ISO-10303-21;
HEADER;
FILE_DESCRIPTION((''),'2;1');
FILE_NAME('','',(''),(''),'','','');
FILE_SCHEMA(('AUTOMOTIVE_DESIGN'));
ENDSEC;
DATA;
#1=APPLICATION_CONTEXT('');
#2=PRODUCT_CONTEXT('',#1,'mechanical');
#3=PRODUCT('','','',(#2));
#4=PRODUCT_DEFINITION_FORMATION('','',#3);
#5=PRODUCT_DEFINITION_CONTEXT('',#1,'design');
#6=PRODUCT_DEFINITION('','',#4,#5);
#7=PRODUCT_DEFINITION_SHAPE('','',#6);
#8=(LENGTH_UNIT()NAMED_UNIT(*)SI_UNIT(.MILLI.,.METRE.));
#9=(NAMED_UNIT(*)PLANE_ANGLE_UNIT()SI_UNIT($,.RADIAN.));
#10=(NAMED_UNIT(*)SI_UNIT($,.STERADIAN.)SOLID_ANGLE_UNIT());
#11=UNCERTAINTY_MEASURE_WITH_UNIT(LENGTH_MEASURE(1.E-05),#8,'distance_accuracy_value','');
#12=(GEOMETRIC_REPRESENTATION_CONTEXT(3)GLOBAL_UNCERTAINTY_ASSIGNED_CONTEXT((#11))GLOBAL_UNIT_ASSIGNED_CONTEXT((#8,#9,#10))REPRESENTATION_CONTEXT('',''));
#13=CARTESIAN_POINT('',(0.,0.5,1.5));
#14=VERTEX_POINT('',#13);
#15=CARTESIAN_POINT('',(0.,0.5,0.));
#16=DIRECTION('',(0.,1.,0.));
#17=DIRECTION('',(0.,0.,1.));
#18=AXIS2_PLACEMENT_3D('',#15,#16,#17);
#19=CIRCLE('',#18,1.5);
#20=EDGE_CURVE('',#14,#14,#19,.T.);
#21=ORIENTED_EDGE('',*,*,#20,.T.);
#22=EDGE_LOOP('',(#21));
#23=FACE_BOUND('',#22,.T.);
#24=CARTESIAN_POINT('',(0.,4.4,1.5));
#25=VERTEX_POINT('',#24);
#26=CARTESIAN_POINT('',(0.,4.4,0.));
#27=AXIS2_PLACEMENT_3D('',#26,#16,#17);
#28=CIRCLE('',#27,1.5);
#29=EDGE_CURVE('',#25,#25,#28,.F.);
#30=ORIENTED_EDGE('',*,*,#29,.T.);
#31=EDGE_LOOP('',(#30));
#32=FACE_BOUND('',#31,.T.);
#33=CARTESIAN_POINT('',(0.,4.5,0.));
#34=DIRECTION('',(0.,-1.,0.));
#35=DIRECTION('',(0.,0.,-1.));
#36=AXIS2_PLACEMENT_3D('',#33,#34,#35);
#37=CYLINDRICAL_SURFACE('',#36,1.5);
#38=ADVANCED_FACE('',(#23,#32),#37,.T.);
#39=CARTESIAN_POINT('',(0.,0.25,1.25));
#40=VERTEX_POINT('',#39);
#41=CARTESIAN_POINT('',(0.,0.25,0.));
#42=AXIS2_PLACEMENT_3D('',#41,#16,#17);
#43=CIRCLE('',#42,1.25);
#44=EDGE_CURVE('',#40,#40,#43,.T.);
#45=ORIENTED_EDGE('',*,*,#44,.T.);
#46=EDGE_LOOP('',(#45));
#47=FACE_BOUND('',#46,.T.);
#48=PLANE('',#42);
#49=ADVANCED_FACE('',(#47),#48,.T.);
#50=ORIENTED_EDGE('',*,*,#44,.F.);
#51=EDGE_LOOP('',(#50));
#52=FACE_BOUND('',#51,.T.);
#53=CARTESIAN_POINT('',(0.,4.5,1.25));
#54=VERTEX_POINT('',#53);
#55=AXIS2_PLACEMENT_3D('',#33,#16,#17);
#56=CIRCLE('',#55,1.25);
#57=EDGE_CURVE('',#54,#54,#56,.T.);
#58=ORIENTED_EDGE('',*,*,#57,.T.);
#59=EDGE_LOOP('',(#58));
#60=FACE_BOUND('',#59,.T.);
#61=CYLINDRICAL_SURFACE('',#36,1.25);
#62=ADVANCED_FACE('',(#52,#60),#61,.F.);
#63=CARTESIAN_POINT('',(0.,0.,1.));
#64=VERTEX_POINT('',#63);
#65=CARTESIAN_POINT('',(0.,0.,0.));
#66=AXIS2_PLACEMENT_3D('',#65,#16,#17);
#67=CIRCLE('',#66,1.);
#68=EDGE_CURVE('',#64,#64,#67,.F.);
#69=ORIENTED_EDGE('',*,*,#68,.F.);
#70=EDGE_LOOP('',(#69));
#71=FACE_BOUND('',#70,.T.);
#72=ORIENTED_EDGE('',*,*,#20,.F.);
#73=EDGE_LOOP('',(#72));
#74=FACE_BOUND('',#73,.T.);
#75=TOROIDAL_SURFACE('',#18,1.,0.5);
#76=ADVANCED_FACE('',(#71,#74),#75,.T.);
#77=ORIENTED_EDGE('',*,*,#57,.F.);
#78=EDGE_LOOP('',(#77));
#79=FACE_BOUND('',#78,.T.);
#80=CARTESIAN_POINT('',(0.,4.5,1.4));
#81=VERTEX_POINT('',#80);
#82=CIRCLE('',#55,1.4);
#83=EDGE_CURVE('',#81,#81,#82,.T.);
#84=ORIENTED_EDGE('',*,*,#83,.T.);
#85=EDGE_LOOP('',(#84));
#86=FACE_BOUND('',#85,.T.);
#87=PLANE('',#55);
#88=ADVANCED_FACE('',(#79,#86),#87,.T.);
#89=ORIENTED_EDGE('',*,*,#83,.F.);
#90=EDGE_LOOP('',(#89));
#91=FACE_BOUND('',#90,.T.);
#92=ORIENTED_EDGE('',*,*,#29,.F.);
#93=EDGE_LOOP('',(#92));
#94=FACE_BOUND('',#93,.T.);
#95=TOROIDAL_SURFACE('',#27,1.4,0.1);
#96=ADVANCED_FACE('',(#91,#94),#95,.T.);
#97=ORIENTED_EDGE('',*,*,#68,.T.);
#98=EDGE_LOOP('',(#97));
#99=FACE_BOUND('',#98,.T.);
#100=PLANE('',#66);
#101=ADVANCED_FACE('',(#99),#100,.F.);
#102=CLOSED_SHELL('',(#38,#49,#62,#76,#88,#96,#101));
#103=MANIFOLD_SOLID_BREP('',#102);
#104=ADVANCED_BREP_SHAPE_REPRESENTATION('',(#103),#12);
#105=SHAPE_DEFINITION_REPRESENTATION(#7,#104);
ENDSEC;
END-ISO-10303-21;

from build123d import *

# Parameters (mm, degrees)
CROQUIS2_R              = 1.5
SALIENTE_EXTRUIR1_DEPTH = 4.5
VACIADO1_T              = -0.25
REDONDEO1_R             = 0.1
REDONDEO2_R             = 0.5


with BuildPart() as part:
    # Croquis2 → Saliente-Extruir1 (new body)
    with BuildSketch(Plane(origin=(0, 0, 0), x_dir=(1, 0, 0), z_dir=(0, 1, 0))):
        with Locations(Location((0, 0, 0), (0, 0, 270))):
            Circle(CROQUIS2_R)
    extrude(amount=SALIENTE_EXTRUIR1_DEPTH)

    # Vaciado1
    vaciado1_openings = [part.faces().sort_by_distance(p)[0] for p in [
        (0, 4.5, 0),
    ]]
    offset(amount=VACIADO1_T, openings=vaciado1_openings, kind=Kind.INTERSECTION)

    # Redondeo1
    redondeo1_edges = [part.edges().sort_by_distance(p)[0] for p in [
        (0, 4.5, -1.5),
    ]]
    fillet(redondeo1_edges, radius=REDONDEO1_R)

    # Redondeo2
    redondeo2_edges = [part.edges().sort_by_distance(p)[0] for p in [
        (0, 0, -1.5),
    ]]
    fillet(redondeo2_edges, radius=REDONDEO2_R)


solid = part.part
